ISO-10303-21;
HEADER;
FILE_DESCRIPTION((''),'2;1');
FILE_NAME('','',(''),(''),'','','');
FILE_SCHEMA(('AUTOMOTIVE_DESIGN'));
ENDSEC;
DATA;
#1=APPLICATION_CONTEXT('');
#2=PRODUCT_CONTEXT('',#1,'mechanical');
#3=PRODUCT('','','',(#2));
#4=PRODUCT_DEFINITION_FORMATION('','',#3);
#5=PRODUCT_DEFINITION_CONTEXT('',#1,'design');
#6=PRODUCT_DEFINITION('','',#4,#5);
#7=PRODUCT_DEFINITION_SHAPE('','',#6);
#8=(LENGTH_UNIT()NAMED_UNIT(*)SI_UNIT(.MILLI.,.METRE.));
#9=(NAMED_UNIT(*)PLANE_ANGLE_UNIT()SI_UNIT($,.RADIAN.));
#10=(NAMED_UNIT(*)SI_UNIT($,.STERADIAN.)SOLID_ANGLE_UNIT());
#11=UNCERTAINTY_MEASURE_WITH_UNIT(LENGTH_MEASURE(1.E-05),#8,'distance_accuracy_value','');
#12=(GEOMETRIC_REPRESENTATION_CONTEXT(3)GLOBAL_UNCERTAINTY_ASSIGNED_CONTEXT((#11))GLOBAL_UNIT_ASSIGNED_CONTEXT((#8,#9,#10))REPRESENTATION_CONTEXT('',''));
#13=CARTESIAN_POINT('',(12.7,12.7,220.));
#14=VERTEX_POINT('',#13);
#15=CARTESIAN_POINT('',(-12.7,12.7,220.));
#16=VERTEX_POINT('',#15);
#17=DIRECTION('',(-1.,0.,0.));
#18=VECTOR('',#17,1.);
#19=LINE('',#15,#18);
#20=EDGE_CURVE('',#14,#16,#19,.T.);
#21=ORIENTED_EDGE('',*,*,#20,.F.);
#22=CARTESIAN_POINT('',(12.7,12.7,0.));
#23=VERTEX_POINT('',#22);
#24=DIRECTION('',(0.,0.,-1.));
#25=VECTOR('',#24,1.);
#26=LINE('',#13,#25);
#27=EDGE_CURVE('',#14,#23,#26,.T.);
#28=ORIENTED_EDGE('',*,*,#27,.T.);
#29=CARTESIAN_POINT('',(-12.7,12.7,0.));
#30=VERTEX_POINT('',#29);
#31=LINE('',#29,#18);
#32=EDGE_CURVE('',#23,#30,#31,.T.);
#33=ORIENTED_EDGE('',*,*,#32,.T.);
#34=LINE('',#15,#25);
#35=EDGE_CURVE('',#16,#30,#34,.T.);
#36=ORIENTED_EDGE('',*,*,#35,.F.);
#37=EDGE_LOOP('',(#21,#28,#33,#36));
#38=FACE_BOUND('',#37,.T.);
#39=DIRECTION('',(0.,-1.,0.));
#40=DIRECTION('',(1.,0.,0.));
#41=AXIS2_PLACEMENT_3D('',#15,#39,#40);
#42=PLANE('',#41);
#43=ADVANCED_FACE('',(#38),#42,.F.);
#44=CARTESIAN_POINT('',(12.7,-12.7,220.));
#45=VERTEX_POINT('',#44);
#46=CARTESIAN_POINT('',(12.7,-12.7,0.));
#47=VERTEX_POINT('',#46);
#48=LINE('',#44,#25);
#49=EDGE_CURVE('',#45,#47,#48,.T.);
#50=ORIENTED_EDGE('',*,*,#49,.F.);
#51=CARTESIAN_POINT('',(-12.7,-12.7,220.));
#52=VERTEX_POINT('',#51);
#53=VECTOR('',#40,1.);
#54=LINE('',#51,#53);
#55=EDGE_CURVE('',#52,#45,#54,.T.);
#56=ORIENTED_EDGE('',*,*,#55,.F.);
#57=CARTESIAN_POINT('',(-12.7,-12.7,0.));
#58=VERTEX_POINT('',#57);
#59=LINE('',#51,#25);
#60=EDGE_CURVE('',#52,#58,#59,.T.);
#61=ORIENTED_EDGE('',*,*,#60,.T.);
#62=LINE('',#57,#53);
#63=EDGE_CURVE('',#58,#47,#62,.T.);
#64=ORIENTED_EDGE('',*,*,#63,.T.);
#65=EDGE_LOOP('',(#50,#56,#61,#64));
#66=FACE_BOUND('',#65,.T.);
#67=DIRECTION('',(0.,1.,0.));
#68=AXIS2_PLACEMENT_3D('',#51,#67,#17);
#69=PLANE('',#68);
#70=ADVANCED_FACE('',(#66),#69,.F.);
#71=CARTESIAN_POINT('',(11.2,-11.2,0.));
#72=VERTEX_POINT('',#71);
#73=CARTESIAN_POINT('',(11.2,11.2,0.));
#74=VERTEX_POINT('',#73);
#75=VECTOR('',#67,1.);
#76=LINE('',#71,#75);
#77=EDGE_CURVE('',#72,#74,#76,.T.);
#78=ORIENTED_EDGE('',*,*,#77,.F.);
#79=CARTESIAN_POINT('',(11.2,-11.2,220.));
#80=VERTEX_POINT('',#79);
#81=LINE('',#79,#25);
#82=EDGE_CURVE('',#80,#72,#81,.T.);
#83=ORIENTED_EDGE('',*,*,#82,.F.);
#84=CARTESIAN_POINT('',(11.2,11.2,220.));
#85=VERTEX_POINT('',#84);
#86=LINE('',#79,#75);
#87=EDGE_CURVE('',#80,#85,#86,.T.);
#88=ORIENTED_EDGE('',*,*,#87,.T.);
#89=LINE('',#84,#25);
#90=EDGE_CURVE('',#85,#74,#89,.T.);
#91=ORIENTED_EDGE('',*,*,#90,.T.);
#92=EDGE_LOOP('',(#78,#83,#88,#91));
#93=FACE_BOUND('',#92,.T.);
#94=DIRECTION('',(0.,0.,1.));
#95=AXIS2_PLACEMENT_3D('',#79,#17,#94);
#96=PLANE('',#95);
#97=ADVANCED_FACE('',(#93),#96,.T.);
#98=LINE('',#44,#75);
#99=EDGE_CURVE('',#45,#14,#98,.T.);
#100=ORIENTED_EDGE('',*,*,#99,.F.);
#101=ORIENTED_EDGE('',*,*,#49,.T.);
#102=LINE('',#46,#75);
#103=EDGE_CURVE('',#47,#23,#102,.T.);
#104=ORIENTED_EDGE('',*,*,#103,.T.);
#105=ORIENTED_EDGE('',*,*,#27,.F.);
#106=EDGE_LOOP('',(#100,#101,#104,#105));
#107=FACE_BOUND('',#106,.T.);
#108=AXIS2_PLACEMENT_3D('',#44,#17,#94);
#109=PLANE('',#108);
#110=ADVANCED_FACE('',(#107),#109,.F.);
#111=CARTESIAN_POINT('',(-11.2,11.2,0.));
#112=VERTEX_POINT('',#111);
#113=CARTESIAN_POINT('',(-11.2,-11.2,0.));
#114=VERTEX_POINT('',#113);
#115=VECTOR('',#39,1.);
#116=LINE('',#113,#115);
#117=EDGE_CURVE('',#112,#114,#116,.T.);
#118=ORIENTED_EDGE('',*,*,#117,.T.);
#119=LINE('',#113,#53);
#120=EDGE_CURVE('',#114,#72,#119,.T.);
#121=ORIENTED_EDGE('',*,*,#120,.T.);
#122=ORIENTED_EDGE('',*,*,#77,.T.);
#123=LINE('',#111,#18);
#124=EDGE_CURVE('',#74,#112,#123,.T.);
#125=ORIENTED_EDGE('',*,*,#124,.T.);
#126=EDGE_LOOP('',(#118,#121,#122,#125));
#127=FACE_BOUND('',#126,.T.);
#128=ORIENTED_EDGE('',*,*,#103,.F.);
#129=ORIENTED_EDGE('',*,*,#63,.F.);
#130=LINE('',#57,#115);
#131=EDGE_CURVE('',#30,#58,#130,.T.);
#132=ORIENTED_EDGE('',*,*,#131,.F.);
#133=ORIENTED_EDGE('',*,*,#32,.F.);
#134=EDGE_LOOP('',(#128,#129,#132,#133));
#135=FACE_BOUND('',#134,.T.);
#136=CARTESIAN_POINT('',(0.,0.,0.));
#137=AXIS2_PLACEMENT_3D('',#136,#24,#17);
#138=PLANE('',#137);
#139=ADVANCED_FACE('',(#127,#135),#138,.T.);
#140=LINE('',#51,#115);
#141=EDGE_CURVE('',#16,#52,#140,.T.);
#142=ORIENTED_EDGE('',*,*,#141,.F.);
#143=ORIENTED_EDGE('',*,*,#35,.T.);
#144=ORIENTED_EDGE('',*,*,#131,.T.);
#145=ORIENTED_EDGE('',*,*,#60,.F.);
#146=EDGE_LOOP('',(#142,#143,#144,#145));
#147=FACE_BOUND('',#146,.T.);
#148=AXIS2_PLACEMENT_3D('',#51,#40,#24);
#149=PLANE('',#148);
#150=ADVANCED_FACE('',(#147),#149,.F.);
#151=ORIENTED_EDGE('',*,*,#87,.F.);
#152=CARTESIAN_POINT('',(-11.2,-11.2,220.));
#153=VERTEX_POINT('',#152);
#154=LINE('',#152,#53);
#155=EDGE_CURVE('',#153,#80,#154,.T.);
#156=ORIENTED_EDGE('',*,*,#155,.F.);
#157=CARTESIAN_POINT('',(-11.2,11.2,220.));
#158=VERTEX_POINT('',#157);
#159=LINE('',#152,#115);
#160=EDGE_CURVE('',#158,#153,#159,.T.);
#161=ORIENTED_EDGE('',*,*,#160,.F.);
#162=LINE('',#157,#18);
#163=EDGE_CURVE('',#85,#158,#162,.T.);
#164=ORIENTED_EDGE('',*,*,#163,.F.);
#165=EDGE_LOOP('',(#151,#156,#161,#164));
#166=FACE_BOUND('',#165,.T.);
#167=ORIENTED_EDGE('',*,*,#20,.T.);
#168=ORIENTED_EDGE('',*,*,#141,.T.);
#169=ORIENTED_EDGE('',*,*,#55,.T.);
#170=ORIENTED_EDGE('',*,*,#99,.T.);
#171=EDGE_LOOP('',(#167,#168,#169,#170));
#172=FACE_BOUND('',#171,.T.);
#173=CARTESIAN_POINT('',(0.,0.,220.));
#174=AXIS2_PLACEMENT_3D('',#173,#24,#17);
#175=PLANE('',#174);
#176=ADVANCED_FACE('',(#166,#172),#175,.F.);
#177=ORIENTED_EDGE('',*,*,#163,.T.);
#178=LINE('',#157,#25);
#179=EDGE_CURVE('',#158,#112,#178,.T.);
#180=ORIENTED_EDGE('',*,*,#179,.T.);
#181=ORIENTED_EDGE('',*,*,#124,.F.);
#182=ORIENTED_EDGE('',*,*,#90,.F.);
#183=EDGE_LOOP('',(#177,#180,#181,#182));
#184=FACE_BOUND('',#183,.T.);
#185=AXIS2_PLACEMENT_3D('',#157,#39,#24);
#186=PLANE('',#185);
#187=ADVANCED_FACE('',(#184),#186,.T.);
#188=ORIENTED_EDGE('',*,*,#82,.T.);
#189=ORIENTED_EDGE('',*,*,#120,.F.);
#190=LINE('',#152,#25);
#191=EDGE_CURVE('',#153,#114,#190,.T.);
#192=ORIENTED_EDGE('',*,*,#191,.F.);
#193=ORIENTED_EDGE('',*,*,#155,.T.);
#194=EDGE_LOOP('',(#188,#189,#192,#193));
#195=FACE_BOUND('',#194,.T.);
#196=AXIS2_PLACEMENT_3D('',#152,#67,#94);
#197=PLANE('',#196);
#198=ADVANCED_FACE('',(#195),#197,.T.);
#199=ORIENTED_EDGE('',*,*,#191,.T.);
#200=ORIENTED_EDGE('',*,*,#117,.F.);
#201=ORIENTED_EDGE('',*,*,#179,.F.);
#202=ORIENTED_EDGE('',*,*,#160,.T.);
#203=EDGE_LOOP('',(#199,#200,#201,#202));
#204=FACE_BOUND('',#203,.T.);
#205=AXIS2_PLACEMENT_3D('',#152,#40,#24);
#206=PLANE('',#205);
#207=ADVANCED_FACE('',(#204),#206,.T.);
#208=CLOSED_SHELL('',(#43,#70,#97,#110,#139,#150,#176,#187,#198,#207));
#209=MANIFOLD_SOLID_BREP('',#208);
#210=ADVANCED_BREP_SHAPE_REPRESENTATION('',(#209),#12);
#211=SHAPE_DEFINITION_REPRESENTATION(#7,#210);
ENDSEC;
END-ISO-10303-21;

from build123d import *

# Parameters (mm, degrees)
SKETCH1_W           = 25.4
SKETCH1_H           = 25.4
SKETCH1_W_2         = 22.4
SKETCH1_H_2         = 22.4
BOSS_EXTRUDE1_DEPTH = 220


with BuildPart() as part:
    # Sketch1 → Boss-Extrude1 (new body)
    with BuildSketch(Plane.XY):
        Rectangle(SKETCH1_W, SKETCH1_H)
        Rectangle(SKETCH1_W_2, SKETCH1_H_2, mode=Mode.SUBTRACT)
    extrude(amount=BOSS_EXTRUDE1_DEPTH)


solid = part.part
